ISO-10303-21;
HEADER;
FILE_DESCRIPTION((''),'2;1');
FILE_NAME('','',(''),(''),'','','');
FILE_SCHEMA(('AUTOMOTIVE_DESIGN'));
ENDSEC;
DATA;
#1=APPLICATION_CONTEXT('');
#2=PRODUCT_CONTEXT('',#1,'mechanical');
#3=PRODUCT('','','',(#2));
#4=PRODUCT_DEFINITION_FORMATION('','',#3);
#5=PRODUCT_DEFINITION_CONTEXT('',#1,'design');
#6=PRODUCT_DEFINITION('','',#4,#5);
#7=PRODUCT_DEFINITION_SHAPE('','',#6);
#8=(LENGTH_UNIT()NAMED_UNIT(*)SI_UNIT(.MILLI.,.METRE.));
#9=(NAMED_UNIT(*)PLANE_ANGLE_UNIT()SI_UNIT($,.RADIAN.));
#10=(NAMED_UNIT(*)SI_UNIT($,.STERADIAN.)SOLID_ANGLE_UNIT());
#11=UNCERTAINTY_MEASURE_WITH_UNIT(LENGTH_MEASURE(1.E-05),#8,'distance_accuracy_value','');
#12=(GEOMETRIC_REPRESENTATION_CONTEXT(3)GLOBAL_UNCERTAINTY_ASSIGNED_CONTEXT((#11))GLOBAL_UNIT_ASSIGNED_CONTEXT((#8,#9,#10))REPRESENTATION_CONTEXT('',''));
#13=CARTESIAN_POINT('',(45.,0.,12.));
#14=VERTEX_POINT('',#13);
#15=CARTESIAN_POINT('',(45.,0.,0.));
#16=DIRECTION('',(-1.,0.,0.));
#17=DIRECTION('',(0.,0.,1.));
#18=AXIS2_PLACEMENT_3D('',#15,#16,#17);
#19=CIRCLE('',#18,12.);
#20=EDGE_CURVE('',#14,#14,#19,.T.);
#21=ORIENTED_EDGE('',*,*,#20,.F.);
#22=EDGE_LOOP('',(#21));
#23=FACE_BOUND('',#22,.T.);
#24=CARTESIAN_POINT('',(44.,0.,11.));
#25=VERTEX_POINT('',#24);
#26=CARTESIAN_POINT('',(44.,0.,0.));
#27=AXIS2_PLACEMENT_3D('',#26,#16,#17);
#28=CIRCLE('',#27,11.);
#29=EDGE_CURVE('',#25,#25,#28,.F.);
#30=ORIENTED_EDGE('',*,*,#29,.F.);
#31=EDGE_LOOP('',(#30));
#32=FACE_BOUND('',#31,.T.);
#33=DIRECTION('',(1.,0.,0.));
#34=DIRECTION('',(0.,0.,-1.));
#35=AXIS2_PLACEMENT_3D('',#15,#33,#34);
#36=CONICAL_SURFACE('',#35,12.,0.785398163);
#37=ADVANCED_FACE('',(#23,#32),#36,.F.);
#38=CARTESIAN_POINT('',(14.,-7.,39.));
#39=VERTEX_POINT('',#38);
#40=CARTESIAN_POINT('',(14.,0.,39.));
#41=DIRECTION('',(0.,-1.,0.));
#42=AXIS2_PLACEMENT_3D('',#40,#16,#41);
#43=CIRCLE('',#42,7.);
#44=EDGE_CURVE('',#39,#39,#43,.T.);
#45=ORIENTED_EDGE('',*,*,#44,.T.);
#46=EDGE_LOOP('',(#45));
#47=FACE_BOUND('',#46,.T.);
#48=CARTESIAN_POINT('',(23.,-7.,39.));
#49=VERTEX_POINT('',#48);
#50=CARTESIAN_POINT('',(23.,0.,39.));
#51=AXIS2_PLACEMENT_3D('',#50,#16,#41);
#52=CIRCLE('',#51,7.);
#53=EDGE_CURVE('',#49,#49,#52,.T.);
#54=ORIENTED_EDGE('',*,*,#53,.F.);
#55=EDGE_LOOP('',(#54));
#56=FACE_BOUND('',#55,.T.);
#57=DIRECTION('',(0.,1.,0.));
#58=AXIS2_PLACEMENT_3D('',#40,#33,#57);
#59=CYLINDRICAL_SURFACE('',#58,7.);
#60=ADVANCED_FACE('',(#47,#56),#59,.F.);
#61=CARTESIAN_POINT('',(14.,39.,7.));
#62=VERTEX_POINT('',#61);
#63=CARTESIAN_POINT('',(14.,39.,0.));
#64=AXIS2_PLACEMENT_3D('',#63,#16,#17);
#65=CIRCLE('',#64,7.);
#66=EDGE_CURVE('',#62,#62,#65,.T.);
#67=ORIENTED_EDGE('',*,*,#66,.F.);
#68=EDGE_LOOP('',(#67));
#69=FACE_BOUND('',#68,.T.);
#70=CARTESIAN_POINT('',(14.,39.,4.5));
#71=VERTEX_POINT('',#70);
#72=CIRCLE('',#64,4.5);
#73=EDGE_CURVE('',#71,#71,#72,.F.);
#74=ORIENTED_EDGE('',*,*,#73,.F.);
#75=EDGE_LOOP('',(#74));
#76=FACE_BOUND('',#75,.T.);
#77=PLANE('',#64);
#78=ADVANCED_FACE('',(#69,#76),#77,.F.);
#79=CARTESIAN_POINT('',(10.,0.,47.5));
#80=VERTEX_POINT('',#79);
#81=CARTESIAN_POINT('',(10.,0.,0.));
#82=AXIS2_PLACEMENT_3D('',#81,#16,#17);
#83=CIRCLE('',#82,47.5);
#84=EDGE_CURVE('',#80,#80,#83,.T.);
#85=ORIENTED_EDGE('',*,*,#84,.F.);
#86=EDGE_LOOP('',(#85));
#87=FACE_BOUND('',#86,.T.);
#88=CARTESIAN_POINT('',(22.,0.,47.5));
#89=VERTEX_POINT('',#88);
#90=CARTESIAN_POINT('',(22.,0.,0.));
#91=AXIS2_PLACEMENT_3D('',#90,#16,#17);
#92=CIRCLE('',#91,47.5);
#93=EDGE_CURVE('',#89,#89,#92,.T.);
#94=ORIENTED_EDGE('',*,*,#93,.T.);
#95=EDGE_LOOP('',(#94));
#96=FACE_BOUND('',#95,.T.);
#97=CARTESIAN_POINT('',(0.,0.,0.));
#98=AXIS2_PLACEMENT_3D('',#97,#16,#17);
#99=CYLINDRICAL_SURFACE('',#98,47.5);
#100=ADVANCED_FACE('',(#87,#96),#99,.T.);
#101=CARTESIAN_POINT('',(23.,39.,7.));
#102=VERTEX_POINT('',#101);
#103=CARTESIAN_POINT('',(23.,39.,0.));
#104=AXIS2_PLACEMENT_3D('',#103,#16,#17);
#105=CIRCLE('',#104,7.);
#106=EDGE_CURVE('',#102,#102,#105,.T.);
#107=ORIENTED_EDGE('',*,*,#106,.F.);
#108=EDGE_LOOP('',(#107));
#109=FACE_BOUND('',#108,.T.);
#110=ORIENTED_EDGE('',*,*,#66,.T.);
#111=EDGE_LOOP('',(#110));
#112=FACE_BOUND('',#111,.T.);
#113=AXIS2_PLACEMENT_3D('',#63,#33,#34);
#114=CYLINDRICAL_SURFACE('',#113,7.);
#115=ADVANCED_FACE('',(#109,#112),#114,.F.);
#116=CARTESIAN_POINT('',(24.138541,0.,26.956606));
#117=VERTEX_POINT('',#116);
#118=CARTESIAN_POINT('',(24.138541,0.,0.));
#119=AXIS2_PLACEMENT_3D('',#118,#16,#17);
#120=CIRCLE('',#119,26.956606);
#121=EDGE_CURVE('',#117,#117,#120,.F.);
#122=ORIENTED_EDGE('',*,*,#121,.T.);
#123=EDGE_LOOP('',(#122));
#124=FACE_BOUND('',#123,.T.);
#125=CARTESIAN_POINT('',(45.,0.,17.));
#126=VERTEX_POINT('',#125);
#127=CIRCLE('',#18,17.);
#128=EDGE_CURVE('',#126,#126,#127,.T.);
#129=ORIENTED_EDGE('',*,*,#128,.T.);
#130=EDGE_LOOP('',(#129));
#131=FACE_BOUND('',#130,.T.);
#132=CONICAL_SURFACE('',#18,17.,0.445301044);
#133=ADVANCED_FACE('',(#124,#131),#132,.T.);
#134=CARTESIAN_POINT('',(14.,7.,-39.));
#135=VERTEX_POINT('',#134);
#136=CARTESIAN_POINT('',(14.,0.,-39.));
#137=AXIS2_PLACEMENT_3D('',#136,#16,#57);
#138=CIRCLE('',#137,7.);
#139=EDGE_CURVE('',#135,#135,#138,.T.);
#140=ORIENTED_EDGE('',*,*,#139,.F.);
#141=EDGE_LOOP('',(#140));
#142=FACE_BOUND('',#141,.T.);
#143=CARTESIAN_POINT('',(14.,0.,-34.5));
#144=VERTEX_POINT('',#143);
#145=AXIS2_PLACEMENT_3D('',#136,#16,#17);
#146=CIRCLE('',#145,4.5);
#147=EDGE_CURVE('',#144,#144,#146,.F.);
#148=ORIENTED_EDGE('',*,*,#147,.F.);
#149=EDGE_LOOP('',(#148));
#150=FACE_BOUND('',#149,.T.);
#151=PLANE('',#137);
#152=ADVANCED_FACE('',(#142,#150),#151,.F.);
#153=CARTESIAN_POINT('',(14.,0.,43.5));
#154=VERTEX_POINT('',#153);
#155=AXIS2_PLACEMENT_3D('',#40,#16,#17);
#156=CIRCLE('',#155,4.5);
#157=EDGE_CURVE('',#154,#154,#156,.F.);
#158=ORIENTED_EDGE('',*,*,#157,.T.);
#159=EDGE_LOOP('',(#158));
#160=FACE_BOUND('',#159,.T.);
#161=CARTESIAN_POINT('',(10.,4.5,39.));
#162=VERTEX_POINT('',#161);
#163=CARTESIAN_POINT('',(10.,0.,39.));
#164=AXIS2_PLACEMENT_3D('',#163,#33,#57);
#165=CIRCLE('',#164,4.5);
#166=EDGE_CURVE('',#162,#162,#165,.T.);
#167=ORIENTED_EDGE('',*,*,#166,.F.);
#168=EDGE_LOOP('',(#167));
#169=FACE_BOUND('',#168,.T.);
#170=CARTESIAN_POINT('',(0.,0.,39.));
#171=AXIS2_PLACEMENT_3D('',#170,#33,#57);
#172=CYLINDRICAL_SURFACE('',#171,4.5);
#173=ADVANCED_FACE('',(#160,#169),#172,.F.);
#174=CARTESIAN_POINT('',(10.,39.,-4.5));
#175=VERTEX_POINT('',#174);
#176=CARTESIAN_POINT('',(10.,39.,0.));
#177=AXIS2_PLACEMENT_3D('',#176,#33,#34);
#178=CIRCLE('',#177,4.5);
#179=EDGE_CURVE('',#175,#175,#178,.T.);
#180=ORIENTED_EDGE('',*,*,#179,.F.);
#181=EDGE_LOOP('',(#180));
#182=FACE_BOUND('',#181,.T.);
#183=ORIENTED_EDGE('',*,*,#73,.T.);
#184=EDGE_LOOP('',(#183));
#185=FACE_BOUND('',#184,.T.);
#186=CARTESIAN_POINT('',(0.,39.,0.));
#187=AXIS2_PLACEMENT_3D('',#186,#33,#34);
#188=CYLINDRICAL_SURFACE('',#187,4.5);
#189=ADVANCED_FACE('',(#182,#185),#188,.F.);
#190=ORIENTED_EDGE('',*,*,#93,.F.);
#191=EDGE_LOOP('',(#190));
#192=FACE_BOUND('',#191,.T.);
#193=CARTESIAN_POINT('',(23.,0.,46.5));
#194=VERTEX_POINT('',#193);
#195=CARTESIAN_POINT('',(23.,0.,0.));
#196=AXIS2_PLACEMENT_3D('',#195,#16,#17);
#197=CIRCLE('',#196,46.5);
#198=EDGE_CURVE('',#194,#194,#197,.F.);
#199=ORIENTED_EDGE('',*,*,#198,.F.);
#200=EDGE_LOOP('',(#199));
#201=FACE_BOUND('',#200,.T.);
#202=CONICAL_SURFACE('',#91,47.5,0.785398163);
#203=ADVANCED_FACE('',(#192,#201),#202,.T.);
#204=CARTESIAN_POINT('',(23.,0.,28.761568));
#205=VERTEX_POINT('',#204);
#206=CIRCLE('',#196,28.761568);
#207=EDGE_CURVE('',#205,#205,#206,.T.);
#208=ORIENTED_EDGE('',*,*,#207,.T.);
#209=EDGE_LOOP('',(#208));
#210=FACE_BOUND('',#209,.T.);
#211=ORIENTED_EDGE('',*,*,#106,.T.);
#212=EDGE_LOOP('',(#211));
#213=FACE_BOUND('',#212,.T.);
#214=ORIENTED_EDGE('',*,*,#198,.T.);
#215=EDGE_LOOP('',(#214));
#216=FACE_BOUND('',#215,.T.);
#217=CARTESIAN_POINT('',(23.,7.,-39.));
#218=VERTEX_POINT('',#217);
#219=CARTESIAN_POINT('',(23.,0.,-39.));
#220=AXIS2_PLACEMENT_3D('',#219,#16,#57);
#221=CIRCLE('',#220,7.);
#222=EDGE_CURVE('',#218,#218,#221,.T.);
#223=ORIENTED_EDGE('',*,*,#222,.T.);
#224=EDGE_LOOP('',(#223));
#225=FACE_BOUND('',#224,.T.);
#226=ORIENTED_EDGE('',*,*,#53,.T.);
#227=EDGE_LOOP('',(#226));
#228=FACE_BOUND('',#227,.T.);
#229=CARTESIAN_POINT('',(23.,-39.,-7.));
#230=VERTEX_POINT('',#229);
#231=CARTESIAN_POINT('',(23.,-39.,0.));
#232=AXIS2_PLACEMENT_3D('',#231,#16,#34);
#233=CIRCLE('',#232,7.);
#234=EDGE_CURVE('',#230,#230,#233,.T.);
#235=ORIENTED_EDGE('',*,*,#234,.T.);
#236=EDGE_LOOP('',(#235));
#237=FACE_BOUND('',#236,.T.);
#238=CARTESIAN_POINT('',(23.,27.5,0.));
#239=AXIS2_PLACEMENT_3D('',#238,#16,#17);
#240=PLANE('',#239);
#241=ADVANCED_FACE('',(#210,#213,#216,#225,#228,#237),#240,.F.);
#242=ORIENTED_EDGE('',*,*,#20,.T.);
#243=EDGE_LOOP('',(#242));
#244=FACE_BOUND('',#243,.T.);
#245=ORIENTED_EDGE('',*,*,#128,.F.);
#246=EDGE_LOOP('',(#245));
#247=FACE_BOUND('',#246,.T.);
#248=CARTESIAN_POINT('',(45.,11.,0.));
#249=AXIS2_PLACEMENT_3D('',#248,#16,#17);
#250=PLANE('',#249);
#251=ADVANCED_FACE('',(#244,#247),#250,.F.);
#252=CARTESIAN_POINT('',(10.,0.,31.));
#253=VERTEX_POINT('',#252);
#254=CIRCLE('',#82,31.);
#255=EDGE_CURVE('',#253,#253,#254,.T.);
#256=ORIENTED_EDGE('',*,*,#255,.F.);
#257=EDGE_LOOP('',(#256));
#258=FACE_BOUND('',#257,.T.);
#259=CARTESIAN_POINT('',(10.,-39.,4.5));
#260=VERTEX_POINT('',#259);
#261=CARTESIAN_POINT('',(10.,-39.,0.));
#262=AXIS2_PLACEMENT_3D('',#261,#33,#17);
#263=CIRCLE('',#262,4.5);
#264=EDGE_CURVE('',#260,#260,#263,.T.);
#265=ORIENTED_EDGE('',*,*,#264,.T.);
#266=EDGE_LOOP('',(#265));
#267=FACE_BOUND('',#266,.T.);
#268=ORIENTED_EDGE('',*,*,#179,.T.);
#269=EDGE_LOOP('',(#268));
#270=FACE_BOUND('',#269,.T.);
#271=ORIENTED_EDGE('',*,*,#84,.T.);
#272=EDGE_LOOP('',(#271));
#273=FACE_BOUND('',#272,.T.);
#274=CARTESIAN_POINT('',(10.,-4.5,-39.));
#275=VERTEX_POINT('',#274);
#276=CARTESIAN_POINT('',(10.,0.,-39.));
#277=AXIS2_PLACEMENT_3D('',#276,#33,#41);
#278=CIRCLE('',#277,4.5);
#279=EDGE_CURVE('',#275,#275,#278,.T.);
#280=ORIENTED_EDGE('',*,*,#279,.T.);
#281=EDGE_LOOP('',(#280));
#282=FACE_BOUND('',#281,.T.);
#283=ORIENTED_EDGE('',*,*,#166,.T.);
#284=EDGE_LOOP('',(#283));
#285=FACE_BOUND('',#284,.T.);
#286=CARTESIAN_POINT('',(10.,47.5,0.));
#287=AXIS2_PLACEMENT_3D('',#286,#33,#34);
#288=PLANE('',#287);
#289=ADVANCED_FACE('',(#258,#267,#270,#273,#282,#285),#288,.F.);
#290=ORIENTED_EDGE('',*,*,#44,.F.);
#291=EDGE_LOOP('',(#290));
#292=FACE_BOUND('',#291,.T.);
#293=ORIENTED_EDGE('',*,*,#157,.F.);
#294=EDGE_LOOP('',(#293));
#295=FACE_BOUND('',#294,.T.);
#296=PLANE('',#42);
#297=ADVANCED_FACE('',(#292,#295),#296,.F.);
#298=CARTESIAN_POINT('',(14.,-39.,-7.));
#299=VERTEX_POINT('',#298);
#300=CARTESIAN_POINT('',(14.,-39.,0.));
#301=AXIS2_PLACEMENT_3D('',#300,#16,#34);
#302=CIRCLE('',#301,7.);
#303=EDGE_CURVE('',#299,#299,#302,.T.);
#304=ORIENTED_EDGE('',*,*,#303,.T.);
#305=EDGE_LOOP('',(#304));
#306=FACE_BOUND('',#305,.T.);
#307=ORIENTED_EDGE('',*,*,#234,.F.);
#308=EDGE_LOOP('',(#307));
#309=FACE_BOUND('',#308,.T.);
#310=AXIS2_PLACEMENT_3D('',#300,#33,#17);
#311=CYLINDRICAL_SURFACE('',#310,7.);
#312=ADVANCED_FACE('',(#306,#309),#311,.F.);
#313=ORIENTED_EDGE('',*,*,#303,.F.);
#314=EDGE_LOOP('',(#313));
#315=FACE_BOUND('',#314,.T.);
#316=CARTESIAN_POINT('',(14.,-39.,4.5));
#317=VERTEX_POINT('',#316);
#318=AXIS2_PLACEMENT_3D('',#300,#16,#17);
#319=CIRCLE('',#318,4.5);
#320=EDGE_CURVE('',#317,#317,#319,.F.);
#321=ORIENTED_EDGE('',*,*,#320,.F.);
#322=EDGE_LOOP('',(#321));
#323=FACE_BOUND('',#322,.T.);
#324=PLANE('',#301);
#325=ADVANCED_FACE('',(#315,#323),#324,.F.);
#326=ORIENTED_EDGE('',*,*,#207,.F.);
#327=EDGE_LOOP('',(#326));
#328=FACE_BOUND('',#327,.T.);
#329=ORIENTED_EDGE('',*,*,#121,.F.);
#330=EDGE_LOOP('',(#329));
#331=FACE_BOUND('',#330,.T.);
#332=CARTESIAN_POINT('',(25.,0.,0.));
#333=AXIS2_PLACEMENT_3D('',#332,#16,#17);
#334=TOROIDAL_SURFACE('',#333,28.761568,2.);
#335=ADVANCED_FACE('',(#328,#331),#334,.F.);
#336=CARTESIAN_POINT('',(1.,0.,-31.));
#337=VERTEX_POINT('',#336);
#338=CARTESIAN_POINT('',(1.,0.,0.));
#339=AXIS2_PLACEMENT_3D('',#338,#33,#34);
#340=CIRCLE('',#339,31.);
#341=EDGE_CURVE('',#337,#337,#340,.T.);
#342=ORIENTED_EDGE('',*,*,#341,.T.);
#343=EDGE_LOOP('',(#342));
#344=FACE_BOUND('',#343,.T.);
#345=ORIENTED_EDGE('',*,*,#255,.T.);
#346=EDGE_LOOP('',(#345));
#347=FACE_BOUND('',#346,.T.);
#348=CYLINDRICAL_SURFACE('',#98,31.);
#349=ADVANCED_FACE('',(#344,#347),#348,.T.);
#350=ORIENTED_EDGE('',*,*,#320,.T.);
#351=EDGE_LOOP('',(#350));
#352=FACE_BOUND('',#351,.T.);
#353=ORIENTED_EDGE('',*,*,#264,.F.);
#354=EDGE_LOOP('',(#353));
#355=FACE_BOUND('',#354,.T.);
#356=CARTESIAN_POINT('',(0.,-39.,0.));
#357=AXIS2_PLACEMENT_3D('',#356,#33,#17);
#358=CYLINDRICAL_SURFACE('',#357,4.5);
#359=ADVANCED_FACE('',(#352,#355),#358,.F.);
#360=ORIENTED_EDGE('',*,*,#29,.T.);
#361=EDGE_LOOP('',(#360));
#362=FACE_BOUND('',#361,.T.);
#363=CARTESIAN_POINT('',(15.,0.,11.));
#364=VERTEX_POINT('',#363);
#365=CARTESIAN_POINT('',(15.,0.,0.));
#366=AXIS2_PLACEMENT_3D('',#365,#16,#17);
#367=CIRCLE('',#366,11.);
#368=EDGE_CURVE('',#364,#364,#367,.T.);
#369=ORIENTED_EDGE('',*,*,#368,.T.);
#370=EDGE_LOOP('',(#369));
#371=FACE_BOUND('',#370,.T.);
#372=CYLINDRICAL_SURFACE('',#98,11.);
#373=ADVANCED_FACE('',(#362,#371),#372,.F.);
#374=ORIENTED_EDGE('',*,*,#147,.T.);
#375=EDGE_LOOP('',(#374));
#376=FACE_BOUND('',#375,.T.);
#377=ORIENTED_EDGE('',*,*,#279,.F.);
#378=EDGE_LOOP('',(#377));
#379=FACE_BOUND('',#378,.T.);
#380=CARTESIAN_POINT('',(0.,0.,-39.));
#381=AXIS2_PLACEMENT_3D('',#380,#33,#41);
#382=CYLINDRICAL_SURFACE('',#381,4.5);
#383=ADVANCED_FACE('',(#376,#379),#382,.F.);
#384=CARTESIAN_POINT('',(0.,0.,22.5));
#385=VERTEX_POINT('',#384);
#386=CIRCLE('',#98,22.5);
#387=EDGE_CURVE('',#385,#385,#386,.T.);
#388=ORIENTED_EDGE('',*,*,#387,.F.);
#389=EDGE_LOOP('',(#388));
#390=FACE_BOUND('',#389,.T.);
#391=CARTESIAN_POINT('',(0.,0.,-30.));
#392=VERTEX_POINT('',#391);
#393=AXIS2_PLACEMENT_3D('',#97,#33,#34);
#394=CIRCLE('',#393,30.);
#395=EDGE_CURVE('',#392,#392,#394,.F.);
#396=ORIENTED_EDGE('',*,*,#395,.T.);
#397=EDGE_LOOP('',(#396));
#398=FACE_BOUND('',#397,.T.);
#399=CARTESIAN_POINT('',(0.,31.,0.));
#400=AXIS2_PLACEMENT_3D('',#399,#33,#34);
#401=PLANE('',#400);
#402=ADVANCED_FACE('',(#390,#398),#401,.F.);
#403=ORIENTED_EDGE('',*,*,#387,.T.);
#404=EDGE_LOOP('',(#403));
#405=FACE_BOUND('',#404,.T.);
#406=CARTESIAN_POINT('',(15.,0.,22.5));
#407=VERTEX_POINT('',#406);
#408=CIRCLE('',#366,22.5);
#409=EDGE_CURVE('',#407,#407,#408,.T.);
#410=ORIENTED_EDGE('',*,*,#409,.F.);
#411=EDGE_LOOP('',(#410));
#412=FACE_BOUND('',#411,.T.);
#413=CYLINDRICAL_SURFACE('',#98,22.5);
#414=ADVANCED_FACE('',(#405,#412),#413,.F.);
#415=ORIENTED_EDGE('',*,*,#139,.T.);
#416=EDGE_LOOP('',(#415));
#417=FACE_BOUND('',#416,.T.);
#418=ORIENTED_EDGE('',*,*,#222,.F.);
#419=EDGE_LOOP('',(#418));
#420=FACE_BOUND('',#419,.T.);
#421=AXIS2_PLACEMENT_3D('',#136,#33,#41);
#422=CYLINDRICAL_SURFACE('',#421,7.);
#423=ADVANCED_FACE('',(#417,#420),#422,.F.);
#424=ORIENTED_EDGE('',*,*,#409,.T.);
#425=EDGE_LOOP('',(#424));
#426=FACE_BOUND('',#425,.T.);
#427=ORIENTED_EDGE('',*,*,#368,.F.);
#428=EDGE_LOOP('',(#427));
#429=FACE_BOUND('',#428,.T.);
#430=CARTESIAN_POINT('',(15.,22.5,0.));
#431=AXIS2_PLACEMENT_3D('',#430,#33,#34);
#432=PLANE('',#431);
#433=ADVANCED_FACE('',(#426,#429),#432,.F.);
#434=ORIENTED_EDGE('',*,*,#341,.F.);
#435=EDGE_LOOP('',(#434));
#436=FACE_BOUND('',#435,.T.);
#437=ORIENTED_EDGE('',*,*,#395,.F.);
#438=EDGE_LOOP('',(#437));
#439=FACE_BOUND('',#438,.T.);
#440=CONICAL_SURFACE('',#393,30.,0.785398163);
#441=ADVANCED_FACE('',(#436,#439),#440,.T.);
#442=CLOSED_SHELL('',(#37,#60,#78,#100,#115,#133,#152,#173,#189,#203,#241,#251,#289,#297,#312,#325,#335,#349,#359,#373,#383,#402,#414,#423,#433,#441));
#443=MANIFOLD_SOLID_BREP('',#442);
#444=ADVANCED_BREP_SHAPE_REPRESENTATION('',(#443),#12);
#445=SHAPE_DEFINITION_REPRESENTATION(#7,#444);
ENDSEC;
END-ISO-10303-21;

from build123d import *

# Parameters (mm, degrees)
CHAMFER_1_SIZE           = 1
CHAMFER_2_SIZE           = 1
CHAMFER_3_SIZE           = 1
FILLET_1_R               = 2
SKETCH_2_R               = 4.5
CUT_EXTRUDE_1_DEPTH      = 72.003521039
CUT_EXTRUDE_START        = -13
SKETCH_3_R               = 7
CUT_EXTRUDE_2_DEPTH      = 9
PATTERN_CIRCULAR_2_COUNT = 4


with BuildPart() as part:
    # 草图1 → 旋转1 (revolve)
    with BuildSketch(Plane.XY, mode=Mode.PRIVATE) as revolve_1_sk:
        Polygon((45, 11), (45, 17), (23, 27.5), (23, 47.5), (10, 47.5), (10, 31), (0, 31), (0, 22.5), (15, 22.5), (15, 11), align=None)
    revolve(revolve_1_sk.sketch.rotate(Axis((0, 0, 0), (1, 0, 0)), 90), axis=Axis((0, 0, 0), (1, 0, 0)))

    # 倒角1
    chamfer_1_edges = [part.edges().sort_by_distance(p)[0] for p in [
        (45, 0, -11),
    ]]
    chamfer(chamfer_1_edges, length=CHAMFER_1_SIZE)

    # 倒角2
    chamfer_2_edges = [part.edges().sort_by_distance(p)[0] for p in [
        (0, 0, -31),
    ]]
    chamfer(chamfer_2_edges, length=CHAMFER_2_SIZE)

    # 倒角3
    chamfer_3_edges = [part.edges().sort_by_distance(p)[0] for p in [
        (23, 0, -47.5),
    ]]
    chamfer(chamfer_3_edges, length=CHAMFER_3_SIZE)

    # 圆角1
    fillet_1_edges = [part.edges().sort_by_distance(p)[0] for p in [
        (23, 0, -27.5),
    ]]
    fillet(fillet_1_edges, radius=FILLET_1_R)

    # 草图2 → 切除-拉伸1 (cut, through all)
    with BuildSketch(Plane(origin=(23, 0, 0), x_dir=(0, 0, -1), z_dir=(1, 0, 0))):
        with Locations((0, 39)):
            Circle(SKETCH_2_R)
    cut_extrude_1 = extrude(amount=-CUT_EXTRUDE_1_DEPTH, mode=Mode.SUBTRACT)

    # 草图3 → 切除-拉伸2 (cut)
    with BuildSketch(Plane.ZY.offset(-10).offset(CUT_EXTRUDE_START)):
        with Locations((0, 39)):
            Circle(SKETCH_3_R)
    cut_extrude_2 = extrude(amount=CUT_EXTRUDE_2_DEPTH, mode=Mode.SUBTRACT)

    # 阵列(圆周)2: 切除-拉伸1, 切除-拉伸2 ×4 about axis
    pattern_circular_2_axis = Axis((0, 0, 0), (1, 0, 0))
    add([cut_extrude_1.rotate(pattern_circular_2_axis, i * 360 / PATTERN_CIRCULAR_2_COUNT) for i in range(1, PATTERN_CIRCULAR_2_COUNT)], mode=Mode.SUBTRACT)
    add([cut_extrude_2.rotate(pattern_circular_2_axis, i * 360 / PATTERN_CIRCULAR_2_COUNT) for i in range(1, PATTERN_CIRCULAR_2_COUNT)], mode=Mode.SUBTRACT)


solid = part.part
